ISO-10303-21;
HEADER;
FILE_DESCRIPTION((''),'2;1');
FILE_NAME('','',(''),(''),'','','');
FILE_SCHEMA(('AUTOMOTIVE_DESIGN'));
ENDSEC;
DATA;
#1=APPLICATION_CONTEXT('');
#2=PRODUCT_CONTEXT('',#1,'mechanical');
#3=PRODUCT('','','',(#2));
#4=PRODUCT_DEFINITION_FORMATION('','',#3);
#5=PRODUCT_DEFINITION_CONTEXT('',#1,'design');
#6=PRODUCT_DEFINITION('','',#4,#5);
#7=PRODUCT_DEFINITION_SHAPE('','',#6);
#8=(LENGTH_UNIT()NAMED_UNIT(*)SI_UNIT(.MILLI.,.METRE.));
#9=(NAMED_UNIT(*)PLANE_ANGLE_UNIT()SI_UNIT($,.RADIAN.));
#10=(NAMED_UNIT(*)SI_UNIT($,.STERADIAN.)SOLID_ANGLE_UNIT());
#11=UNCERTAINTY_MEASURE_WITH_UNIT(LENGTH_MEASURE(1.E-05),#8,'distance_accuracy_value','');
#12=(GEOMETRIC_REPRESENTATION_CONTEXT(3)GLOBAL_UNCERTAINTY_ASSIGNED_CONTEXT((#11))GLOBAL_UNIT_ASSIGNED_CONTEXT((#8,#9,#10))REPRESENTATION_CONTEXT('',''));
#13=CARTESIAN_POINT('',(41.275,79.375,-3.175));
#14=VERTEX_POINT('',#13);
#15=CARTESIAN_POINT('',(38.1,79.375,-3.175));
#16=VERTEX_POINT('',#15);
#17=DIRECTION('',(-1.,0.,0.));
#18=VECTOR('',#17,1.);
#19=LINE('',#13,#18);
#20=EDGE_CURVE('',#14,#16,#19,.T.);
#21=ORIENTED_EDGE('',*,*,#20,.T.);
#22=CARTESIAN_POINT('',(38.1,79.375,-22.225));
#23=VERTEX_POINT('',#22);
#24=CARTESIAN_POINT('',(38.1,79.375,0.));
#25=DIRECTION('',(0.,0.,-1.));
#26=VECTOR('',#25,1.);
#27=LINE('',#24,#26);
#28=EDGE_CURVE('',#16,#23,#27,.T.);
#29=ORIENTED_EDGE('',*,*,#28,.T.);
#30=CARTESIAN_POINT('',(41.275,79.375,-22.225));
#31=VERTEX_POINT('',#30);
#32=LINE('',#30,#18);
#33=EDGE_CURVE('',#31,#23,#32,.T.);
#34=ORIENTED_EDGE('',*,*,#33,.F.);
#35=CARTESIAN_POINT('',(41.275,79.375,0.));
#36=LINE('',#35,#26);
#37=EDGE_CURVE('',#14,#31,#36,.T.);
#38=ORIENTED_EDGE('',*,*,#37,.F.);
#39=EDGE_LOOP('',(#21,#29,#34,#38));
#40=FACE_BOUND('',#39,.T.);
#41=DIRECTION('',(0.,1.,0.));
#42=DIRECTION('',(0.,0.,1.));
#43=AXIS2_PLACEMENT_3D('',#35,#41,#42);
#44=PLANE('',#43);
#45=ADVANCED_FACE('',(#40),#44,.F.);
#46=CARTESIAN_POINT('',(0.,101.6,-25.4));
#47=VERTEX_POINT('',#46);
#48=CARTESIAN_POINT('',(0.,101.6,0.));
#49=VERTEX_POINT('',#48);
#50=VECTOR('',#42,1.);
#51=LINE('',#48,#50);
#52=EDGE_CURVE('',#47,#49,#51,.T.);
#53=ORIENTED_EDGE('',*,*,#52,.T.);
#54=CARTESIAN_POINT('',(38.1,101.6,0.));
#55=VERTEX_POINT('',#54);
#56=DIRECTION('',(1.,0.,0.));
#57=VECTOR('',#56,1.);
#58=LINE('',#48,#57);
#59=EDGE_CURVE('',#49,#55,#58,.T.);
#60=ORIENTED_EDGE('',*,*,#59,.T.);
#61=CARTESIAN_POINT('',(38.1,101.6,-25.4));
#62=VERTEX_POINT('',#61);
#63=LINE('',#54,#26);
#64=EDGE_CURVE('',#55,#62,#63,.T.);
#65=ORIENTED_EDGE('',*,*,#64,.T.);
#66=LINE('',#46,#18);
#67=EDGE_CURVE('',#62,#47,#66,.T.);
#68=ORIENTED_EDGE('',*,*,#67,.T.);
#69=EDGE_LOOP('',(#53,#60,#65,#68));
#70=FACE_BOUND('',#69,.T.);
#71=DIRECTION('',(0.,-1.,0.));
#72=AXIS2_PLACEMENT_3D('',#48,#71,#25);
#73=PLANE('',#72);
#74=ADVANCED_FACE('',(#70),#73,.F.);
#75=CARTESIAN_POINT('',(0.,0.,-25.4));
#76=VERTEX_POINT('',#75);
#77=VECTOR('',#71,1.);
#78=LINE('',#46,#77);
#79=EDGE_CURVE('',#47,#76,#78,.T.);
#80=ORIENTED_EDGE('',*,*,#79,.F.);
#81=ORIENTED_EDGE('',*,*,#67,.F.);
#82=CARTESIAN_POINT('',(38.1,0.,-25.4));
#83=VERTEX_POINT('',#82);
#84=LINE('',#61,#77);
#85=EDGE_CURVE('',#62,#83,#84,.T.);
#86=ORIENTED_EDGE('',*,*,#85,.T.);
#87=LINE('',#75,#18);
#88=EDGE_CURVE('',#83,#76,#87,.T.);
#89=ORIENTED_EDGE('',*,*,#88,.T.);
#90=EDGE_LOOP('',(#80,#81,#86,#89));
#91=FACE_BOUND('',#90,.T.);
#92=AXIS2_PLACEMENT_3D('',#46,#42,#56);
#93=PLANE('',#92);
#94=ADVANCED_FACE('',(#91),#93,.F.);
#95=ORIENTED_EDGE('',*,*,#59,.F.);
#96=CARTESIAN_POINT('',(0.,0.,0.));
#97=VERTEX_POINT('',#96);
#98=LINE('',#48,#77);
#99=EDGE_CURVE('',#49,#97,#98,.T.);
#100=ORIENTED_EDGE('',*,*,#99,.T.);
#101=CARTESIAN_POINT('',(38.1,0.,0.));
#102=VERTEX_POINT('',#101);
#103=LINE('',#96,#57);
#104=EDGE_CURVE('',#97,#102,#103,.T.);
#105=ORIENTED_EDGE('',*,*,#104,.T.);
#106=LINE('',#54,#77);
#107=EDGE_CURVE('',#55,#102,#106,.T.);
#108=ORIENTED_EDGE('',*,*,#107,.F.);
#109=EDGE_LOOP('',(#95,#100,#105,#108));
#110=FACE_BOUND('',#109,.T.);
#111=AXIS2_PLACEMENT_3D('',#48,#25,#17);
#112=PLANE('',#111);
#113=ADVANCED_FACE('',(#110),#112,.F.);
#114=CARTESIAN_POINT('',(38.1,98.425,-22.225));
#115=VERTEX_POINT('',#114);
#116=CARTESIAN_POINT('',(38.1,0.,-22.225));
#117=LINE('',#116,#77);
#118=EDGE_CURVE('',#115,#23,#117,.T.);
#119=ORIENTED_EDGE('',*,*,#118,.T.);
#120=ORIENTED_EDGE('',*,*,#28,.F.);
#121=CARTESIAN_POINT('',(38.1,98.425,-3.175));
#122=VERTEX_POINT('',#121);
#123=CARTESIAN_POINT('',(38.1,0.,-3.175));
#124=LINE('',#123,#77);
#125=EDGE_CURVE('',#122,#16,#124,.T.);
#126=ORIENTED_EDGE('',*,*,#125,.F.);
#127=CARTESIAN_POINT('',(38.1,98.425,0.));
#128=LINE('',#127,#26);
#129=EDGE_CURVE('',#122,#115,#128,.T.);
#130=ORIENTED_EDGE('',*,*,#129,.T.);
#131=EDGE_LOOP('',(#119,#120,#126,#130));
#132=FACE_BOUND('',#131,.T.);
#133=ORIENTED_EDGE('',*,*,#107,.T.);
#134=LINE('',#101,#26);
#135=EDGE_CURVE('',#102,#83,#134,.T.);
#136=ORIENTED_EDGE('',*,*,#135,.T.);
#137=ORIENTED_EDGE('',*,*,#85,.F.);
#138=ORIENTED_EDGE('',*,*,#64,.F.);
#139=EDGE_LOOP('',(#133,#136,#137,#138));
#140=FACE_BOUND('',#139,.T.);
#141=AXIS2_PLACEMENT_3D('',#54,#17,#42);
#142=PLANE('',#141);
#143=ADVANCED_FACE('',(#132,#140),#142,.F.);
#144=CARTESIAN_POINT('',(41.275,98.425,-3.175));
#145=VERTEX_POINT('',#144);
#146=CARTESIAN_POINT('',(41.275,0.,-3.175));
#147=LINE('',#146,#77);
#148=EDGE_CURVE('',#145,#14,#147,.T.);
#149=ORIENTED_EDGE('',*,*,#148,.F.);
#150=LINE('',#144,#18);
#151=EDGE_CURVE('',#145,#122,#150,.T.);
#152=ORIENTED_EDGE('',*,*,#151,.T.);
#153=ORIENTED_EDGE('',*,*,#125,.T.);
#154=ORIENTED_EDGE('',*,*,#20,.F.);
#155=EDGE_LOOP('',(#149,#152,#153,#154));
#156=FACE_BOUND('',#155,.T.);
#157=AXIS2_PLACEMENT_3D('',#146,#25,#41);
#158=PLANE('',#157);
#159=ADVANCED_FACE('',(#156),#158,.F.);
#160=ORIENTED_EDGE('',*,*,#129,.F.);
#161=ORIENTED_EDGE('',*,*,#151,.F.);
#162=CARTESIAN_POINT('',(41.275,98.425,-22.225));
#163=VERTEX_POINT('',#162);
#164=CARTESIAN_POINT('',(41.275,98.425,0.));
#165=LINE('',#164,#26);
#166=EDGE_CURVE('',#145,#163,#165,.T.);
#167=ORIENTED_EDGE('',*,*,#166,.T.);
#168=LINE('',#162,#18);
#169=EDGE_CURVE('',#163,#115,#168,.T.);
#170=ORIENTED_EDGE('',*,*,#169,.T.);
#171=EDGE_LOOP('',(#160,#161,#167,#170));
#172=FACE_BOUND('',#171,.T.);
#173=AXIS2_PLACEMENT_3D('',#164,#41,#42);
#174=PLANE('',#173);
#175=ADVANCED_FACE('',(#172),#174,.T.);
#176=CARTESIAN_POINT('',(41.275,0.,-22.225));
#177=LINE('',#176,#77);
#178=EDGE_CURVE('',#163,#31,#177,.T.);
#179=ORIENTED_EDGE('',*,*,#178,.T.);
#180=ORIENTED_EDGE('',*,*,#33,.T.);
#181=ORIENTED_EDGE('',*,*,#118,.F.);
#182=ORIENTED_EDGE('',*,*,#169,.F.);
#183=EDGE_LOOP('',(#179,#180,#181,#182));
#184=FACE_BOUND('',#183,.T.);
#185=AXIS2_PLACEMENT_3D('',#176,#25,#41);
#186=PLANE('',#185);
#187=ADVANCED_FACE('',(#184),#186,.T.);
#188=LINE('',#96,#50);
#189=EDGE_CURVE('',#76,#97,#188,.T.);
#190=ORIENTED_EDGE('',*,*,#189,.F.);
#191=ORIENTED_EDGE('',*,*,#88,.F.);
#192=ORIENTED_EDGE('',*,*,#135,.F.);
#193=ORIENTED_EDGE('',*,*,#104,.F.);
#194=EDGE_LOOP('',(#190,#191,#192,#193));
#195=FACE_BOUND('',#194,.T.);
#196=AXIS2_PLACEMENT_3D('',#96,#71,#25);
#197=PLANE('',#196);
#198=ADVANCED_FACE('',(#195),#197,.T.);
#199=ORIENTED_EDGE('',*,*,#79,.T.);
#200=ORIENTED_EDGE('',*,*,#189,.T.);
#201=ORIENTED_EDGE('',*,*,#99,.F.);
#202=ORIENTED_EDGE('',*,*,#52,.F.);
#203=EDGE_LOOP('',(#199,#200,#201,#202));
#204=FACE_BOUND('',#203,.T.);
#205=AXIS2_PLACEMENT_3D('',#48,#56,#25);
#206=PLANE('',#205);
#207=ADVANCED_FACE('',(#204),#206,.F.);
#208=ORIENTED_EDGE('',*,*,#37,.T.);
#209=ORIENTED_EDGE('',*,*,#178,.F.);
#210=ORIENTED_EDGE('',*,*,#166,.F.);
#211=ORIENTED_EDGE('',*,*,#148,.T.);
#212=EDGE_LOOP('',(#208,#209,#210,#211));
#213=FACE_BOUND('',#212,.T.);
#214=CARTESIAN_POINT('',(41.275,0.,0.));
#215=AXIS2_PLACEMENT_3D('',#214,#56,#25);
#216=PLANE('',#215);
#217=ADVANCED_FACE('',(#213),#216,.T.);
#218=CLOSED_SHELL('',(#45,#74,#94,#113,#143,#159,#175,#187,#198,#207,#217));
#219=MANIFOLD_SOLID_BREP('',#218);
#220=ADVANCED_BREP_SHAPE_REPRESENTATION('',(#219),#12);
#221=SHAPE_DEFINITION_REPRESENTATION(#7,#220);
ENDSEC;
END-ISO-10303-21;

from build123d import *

# Parameters (mm, degrees)
SKETCH1_W           = 38.1
SKETCH1_H           = 25.4
BOSS_EXTRUDE1_DEPTH = 101.6
SKETCH2_W           = 19.05
SKETCH2_H           = 19.05
BOSS_EXTRUDE2_DEPTH = 3.175


with BuildPart() as part:
    # Sketch1 → Boss-Extrude1 (new body)
    with BuildSketch(Plane(origin=(0, 0, 0), x_dir=(1, 0, 0), z_dir=(0, 1, 0))):
        with Locations((19.05, 12.7)):
            Rectangle(SKETCH1_W, SKETCH1_H)
    extrude(amount=BOSS_EXTRUDE1_DEPTH)

    # Sketch2 → Boss-Extrude2 (add)
    with BuildSketch(Plane(origin=(38.1, 0, 0), x_dir=(0, 0, -1), z_dir=(1, 0, 0))):
        with Locations((12.7, 88.9)):
            Rectangle(SKETCH2_W, SKETCH2_H)
    extrude(amount=BOSS_EXTRUDE2_DEPTH)


solid = part.part
